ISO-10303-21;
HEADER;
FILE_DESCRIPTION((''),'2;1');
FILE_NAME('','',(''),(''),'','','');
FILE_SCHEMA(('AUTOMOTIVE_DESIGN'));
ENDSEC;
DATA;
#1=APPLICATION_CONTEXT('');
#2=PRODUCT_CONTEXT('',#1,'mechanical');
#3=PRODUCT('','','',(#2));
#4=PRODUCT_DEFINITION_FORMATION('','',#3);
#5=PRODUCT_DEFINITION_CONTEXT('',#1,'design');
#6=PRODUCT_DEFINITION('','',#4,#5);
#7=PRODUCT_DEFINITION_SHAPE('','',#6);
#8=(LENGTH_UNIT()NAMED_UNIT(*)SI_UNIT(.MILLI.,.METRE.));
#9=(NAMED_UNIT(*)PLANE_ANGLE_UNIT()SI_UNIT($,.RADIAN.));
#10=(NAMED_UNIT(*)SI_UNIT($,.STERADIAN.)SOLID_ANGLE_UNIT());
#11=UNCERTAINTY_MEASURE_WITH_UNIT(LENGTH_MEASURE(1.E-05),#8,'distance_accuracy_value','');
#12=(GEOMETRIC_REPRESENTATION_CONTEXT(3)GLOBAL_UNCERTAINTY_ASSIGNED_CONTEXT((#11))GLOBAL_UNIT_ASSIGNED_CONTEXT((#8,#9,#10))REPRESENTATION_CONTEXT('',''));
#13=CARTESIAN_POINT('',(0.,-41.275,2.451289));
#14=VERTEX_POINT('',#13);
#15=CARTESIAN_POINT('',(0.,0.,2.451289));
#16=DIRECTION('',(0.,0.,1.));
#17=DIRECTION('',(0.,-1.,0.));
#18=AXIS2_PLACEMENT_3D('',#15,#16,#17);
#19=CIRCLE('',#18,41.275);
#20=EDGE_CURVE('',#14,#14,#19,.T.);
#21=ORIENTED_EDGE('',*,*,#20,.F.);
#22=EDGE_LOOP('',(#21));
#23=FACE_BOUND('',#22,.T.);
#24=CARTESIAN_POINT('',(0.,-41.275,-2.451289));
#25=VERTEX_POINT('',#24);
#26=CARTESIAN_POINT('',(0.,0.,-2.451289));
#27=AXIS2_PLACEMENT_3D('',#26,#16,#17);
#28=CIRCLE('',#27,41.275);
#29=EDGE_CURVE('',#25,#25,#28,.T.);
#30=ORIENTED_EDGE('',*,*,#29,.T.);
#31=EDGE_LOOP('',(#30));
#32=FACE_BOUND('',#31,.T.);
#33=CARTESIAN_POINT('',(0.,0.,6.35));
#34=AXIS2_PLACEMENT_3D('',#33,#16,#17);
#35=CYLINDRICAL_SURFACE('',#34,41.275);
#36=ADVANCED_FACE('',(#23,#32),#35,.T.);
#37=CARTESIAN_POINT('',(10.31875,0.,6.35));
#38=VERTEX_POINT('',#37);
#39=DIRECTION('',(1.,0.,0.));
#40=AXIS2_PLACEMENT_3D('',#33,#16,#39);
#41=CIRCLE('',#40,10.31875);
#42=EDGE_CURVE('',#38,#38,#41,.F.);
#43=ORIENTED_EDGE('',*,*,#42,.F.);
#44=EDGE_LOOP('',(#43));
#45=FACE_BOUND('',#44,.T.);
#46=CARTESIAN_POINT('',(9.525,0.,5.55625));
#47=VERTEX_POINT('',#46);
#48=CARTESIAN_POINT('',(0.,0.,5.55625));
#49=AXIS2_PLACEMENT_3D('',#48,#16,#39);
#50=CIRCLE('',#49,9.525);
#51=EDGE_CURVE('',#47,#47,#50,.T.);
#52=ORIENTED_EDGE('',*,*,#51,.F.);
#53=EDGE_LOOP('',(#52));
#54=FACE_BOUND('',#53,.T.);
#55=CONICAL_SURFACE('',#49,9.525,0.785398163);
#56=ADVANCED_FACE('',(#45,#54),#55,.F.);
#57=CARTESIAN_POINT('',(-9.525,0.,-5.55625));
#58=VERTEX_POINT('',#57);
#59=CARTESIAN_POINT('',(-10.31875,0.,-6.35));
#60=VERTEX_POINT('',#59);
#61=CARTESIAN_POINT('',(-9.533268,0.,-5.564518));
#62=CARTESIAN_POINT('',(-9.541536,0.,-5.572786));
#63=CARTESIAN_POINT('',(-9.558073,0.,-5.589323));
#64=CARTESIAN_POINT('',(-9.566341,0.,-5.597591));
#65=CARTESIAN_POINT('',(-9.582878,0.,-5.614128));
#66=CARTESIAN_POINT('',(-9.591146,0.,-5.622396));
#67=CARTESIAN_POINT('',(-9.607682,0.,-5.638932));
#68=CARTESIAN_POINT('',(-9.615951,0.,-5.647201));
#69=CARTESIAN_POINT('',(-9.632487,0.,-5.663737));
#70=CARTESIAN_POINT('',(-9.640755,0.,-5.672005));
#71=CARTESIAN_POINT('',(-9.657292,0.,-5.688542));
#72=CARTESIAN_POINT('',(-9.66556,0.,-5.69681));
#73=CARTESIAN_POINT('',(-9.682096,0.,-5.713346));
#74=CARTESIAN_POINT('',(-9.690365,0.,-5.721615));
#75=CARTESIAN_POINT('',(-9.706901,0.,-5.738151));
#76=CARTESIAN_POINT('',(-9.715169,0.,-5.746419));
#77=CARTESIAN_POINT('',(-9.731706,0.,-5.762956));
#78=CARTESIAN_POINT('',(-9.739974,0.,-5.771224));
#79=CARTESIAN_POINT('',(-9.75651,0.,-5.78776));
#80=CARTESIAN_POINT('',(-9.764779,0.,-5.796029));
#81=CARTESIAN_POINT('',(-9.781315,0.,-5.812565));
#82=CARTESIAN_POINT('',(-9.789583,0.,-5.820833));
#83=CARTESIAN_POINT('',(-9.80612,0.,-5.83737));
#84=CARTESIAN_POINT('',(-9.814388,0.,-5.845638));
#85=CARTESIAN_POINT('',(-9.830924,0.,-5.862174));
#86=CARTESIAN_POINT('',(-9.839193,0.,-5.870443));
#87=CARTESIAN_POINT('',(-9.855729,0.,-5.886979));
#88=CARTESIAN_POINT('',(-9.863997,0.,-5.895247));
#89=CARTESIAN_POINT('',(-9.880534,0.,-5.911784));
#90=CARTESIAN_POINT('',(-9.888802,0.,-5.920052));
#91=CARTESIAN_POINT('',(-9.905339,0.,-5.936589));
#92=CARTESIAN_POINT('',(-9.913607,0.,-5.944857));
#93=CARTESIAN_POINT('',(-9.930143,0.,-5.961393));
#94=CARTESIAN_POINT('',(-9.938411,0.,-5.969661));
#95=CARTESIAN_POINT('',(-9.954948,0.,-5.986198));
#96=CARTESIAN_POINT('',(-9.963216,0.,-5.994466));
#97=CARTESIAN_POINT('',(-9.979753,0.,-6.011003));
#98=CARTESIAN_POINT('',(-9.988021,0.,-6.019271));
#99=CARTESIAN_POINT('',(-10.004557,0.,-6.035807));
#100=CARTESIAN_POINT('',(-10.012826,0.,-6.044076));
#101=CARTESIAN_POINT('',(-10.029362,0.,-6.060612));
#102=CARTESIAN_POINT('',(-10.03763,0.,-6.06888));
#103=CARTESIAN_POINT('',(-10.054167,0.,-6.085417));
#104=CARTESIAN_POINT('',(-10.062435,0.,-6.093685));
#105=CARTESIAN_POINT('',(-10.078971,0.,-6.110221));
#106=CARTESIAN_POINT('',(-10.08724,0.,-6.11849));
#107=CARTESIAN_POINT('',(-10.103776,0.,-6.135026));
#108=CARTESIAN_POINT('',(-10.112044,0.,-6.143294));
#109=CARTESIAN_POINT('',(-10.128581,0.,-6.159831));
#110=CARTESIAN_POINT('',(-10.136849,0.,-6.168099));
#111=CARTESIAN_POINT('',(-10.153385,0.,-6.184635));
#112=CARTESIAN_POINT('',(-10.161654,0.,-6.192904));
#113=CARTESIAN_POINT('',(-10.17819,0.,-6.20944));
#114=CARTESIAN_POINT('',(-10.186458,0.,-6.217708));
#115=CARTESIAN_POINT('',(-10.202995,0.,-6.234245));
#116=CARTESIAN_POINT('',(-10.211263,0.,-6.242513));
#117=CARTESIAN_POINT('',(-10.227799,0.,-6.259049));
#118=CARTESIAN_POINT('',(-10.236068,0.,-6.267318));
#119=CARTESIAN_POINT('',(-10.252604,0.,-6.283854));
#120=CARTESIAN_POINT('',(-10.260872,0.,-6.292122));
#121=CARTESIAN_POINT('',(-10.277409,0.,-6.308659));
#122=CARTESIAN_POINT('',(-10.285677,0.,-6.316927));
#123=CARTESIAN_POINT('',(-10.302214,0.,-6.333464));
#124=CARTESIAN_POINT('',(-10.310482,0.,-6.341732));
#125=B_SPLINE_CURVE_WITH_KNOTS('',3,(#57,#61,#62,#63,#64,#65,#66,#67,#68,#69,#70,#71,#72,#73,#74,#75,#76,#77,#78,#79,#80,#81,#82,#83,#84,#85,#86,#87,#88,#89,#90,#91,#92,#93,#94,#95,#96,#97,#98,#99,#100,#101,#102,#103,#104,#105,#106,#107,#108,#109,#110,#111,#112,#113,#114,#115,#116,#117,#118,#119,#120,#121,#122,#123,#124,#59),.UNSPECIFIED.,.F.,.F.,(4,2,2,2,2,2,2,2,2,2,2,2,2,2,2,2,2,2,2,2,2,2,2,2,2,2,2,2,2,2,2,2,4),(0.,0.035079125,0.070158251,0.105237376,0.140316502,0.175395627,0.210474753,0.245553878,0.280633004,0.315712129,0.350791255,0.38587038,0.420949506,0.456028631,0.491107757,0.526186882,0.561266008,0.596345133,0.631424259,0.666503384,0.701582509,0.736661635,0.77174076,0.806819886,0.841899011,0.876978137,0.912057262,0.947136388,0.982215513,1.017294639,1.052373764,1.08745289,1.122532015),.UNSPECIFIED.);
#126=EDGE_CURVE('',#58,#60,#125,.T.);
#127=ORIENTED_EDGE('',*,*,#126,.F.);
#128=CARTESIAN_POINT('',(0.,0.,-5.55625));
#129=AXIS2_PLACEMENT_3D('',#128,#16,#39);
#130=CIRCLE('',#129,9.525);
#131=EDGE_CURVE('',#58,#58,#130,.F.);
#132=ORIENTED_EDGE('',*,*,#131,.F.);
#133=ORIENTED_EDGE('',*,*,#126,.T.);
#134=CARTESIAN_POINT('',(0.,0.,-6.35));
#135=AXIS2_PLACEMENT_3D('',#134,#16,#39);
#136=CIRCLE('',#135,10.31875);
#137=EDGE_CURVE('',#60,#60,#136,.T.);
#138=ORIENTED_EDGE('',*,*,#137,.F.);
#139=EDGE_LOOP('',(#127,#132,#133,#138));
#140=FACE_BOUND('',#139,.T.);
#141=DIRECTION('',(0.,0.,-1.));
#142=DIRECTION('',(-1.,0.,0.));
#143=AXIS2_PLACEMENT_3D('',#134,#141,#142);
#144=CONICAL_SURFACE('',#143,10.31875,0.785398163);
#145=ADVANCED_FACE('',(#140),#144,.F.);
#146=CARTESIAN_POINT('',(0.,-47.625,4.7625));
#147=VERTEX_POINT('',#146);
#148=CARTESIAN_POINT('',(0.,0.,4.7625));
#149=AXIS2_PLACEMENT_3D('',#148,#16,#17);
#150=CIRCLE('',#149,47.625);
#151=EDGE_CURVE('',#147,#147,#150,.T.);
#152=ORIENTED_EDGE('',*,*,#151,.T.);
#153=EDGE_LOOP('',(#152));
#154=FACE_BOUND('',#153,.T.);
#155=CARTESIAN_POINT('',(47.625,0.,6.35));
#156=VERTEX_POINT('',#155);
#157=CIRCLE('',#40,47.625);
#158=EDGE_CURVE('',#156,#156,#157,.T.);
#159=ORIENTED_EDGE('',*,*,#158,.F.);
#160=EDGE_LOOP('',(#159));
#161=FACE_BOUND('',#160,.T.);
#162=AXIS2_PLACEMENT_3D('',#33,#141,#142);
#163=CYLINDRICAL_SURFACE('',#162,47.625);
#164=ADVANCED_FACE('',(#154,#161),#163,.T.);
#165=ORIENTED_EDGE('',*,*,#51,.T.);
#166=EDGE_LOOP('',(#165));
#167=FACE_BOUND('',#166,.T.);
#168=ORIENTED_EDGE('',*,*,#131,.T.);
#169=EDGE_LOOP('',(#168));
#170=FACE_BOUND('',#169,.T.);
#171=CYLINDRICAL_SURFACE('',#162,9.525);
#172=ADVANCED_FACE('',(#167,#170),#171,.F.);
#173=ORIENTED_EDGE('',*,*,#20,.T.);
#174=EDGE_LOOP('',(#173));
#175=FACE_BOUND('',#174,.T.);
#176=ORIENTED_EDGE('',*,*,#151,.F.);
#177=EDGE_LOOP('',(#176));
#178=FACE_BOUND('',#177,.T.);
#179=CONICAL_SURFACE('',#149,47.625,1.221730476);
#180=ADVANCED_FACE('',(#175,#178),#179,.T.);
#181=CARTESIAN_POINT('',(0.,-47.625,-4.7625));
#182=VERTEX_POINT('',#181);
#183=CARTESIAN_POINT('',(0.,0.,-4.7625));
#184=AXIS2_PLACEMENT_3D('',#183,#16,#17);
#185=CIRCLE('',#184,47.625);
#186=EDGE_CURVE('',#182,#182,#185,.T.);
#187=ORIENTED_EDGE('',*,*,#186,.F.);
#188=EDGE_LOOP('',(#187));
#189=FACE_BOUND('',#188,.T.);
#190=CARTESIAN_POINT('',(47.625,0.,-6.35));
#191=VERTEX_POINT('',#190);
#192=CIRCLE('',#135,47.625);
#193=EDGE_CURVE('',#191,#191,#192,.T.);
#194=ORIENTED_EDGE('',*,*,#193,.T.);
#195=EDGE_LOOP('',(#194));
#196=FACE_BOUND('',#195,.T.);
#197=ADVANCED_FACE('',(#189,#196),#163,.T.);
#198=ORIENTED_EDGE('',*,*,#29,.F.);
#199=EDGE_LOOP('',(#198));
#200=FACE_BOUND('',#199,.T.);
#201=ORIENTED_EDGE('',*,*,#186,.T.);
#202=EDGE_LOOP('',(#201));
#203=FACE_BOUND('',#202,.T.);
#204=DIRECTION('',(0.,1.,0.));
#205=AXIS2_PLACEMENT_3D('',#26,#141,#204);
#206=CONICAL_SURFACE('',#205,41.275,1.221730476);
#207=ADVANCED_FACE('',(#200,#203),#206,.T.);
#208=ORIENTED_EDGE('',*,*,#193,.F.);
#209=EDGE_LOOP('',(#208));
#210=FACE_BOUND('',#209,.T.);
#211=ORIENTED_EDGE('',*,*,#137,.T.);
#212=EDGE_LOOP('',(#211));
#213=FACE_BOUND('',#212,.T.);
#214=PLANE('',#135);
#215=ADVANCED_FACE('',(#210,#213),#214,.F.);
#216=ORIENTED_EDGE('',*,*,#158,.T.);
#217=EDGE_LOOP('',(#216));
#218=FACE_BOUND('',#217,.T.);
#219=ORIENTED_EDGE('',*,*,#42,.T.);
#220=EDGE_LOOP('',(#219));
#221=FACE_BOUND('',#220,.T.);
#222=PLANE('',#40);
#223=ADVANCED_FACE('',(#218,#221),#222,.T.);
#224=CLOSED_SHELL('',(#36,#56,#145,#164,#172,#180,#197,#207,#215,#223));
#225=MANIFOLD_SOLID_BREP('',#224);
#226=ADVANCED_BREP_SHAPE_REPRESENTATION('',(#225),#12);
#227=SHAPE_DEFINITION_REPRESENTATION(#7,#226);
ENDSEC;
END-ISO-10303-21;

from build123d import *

# Parameters (mm, degrees)
SKETCH1_R      = 47.625
SKETCH1_R_2    = 9.525
EXTRUDE1_DEPTH = 6.35
CHAMFER1_SIZE  = 0.79375


with BuildPart() as part:
    # Sketch1 → Extrude1 (new, symmetric)
    with BuildSketch(Plane.XY):
        Circle(SKETCH1_R)
        Circle(SKETCH1_R_2, mode=Mode.SUBTRACT)
    extrude(amount=EXTRUDE1_DEPTH, both=True)

    # Chamfer1
    chamfer1_edges = [part.edges().sort_by_distance(p)[0] for p in [
        (-9.525, 0, -6.35),
        (-9.525, 0, 6.35),
    ]]
    chamfer(chamfer1_edges, length=CHAMFER1_SIZE)

    # Sketch2 → Cut-Revolve1 (revolve, cut)
    with BuildSketch(Plane(origin=(0, 0, 0), x_dir=(0, 0, -1), z_dir=(1, 0, 0)), mode=Mode.PRIVATE) as cut_revolve1_sk:
        Polygon((-4.7625, 47.625), (4.7625, 47.625), (2.451289012, 41.275), (-2.451289012, 41.275), align=None)
    revolve(cut_revolve1_sk.sketch.rotate(Axis((0, 0, 6.35), (0, 0, -1)), 180), axis=Axis((0, 0, 6.35), (0, 0, -1)), mode=Mode.SUBTRACT)


solid = part.part
